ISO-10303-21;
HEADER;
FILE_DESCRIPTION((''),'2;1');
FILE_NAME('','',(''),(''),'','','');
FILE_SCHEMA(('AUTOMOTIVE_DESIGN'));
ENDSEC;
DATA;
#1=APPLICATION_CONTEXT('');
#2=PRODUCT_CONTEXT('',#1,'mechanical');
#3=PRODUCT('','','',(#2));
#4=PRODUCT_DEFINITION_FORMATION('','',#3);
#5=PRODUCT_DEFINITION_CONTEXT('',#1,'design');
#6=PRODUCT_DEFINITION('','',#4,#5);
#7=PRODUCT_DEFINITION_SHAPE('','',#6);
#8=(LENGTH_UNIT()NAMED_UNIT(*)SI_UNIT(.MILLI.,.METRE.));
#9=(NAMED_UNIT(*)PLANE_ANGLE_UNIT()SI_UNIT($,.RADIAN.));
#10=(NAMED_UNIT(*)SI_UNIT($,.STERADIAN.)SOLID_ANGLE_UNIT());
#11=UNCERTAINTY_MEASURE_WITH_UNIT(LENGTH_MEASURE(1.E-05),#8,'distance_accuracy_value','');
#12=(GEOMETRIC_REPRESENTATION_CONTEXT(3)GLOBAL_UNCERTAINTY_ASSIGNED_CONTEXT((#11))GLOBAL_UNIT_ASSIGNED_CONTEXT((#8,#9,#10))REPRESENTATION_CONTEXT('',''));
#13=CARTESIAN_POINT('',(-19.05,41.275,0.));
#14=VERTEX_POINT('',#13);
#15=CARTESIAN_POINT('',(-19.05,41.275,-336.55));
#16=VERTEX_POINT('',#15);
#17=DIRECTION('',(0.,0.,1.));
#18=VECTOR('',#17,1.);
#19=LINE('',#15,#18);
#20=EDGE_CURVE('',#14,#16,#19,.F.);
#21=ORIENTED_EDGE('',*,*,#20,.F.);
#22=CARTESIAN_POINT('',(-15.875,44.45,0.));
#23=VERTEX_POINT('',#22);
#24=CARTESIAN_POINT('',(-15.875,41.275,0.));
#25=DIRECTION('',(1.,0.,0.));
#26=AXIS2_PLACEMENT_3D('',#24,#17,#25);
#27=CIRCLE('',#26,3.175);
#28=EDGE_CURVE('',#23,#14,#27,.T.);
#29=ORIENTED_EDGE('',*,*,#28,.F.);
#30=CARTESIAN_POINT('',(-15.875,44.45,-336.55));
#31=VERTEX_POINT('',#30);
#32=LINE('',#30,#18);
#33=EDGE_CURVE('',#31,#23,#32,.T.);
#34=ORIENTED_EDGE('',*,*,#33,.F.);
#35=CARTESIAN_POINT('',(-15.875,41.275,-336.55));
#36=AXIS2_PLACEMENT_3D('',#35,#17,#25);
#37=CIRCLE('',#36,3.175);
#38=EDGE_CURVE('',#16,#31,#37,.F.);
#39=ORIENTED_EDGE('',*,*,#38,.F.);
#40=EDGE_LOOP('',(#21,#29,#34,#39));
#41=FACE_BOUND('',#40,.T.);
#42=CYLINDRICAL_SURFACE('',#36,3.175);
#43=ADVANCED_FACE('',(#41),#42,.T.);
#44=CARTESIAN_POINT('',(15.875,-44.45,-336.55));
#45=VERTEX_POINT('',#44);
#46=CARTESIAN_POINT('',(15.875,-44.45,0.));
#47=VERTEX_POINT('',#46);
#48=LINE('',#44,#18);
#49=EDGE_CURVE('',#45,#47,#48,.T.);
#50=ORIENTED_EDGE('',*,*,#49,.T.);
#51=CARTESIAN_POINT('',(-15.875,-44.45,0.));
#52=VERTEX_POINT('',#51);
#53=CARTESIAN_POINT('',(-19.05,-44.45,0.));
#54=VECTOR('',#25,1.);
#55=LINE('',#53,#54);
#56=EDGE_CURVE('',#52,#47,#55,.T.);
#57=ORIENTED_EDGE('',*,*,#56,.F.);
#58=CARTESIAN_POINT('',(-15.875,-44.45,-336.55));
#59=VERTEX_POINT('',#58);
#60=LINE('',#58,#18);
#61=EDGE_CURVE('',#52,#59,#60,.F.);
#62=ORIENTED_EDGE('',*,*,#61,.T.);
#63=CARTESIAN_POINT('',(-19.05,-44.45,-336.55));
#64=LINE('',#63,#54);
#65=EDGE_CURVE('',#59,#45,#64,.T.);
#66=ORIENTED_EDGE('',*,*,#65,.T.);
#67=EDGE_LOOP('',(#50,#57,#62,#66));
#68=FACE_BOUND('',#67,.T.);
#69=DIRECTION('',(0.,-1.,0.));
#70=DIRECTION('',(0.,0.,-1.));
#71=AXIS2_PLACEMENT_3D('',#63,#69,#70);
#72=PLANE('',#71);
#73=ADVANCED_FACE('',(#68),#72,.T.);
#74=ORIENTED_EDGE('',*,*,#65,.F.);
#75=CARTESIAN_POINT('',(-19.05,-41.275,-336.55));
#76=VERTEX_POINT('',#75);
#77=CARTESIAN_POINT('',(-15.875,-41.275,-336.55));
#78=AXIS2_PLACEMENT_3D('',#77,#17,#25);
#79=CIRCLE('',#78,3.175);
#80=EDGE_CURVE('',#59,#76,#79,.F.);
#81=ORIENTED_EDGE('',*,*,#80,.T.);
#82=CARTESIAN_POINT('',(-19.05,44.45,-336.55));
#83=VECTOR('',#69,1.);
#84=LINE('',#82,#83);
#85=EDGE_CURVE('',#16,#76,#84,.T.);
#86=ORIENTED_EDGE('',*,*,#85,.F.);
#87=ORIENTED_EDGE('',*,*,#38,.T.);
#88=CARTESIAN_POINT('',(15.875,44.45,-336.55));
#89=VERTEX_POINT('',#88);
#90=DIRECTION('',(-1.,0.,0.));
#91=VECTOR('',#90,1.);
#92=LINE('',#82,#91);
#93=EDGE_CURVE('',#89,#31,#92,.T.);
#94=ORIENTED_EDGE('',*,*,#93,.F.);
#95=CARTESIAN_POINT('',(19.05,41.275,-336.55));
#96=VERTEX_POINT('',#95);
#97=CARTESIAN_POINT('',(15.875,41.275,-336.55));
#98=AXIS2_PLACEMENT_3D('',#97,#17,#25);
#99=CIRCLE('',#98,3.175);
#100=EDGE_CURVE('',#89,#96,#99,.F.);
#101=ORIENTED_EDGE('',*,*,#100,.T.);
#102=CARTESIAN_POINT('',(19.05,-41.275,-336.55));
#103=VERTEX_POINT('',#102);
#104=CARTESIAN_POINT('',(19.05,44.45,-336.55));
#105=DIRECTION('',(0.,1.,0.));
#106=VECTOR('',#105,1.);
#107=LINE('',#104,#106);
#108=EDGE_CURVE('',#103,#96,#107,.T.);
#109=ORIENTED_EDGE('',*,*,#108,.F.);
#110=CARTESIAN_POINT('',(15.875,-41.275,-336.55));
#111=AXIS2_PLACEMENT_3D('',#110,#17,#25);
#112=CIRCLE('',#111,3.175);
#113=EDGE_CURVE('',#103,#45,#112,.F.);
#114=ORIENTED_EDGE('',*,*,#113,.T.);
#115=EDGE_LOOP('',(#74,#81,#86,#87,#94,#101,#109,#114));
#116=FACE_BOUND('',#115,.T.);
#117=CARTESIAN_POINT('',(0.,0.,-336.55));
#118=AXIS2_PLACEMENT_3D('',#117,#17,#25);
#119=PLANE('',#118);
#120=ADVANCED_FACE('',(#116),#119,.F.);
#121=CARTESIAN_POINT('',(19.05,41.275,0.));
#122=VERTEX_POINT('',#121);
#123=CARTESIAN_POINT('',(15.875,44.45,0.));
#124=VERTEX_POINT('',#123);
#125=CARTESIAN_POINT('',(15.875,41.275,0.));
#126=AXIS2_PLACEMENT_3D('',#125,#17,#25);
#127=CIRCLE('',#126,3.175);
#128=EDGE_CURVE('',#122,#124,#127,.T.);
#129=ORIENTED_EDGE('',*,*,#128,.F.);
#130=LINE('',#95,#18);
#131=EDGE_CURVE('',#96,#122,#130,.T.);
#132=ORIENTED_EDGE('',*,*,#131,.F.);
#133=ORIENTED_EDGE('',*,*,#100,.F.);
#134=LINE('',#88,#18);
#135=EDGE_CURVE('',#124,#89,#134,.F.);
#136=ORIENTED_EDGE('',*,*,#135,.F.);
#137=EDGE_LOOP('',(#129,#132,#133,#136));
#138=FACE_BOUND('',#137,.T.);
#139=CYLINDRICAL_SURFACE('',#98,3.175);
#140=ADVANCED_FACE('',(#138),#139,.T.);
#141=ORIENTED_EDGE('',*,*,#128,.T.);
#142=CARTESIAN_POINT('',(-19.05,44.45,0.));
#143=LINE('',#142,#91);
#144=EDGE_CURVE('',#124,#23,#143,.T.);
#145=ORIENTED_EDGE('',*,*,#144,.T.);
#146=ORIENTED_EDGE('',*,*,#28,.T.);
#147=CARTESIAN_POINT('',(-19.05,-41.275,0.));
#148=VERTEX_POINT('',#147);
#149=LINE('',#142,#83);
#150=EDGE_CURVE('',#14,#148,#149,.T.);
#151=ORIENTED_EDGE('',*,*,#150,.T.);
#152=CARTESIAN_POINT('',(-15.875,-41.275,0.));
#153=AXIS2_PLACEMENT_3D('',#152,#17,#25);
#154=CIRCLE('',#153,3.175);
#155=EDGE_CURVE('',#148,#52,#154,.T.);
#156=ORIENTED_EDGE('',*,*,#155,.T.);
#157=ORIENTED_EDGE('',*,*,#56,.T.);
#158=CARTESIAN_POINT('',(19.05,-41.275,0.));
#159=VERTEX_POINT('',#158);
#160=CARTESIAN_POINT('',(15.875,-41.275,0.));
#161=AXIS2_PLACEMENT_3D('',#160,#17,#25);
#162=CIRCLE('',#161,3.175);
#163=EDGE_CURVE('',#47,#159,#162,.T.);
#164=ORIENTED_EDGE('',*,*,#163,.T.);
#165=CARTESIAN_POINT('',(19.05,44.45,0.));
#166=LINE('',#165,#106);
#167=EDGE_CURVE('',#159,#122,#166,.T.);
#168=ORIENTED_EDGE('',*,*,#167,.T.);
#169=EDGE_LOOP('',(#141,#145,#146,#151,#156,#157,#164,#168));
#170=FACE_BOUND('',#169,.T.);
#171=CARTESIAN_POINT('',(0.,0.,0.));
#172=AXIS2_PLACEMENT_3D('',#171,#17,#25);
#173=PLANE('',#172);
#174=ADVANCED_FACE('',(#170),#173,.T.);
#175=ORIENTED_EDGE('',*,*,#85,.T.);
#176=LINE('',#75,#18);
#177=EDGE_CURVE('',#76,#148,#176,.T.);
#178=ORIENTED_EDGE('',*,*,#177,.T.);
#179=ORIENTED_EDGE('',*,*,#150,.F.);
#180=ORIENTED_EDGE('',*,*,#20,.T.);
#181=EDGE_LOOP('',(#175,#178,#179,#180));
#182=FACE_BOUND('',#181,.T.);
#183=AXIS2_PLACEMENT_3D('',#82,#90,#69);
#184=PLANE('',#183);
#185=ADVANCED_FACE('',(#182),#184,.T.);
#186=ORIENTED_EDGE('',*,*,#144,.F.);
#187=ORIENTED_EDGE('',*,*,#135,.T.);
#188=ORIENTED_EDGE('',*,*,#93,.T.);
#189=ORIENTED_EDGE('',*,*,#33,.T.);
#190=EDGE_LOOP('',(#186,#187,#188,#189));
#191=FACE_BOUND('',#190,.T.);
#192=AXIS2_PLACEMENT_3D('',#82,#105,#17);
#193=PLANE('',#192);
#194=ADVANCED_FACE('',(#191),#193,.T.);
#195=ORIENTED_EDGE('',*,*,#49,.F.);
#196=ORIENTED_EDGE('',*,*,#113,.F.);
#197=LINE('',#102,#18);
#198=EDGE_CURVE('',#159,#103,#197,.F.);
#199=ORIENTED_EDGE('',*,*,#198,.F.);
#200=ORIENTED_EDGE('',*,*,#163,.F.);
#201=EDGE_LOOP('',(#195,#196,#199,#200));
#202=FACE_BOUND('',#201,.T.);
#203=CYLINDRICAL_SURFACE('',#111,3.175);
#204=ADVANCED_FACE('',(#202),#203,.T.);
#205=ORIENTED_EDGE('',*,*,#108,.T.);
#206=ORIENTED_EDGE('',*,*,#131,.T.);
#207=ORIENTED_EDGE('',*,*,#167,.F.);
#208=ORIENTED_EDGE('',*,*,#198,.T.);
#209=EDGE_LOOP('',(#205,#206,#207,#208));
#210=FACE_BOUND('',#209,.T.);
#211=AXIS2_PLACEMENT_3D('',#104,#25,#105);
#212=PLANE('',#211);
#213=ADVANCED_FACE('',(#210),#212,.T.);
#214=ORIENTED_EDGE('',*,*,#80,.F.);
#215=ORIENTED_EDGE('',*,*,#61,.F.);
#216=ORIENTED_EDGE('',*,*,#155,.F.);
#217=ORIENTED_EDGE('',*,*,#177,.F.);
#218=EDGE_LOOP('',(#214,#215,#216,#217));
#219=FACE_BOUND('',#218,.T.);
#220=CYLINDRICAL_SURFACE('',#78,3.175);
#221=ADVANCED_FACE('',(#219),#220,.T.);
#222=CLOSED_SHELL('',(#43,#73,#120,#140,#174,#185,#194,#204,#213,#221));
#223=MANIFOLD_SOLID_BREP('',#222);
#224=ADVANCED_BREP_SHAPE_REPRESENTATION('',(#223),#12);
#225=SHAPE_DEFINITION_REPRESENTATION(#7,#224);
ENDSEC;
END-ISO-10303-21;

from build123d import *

# Parameters (mm, degrees)
SKETCH1_W           = 38.1
SKETCH1_H           = 88.9
BOSS_EXTRUDE1_DEPTH = 336.55
FILLET1_R           = 3.175


with BuildPart() as part:
    # Sketch1 → Boss-Extrude1 (new body)
    with BuildSketch(Plane.XY):
        Rectangle(SKETCH1_W, SKETCH1_H)
    extrude(amount=-BOSS_EXTRUDE1_DEPTH)

    # Fillet1
    fillet1_edges = [part.edges().sort_by_distance(p)[0] for p in [
        (19.05, -44.45, -168.275),
        (-19.05, -44.45, -168.275),
        (-19.05, 44.45, -168.275),
        (19.05, 44.45, -168.275),
    ]]
    fillet(fillet1_edges, radius=FILLET1_R)


solid = part.part
